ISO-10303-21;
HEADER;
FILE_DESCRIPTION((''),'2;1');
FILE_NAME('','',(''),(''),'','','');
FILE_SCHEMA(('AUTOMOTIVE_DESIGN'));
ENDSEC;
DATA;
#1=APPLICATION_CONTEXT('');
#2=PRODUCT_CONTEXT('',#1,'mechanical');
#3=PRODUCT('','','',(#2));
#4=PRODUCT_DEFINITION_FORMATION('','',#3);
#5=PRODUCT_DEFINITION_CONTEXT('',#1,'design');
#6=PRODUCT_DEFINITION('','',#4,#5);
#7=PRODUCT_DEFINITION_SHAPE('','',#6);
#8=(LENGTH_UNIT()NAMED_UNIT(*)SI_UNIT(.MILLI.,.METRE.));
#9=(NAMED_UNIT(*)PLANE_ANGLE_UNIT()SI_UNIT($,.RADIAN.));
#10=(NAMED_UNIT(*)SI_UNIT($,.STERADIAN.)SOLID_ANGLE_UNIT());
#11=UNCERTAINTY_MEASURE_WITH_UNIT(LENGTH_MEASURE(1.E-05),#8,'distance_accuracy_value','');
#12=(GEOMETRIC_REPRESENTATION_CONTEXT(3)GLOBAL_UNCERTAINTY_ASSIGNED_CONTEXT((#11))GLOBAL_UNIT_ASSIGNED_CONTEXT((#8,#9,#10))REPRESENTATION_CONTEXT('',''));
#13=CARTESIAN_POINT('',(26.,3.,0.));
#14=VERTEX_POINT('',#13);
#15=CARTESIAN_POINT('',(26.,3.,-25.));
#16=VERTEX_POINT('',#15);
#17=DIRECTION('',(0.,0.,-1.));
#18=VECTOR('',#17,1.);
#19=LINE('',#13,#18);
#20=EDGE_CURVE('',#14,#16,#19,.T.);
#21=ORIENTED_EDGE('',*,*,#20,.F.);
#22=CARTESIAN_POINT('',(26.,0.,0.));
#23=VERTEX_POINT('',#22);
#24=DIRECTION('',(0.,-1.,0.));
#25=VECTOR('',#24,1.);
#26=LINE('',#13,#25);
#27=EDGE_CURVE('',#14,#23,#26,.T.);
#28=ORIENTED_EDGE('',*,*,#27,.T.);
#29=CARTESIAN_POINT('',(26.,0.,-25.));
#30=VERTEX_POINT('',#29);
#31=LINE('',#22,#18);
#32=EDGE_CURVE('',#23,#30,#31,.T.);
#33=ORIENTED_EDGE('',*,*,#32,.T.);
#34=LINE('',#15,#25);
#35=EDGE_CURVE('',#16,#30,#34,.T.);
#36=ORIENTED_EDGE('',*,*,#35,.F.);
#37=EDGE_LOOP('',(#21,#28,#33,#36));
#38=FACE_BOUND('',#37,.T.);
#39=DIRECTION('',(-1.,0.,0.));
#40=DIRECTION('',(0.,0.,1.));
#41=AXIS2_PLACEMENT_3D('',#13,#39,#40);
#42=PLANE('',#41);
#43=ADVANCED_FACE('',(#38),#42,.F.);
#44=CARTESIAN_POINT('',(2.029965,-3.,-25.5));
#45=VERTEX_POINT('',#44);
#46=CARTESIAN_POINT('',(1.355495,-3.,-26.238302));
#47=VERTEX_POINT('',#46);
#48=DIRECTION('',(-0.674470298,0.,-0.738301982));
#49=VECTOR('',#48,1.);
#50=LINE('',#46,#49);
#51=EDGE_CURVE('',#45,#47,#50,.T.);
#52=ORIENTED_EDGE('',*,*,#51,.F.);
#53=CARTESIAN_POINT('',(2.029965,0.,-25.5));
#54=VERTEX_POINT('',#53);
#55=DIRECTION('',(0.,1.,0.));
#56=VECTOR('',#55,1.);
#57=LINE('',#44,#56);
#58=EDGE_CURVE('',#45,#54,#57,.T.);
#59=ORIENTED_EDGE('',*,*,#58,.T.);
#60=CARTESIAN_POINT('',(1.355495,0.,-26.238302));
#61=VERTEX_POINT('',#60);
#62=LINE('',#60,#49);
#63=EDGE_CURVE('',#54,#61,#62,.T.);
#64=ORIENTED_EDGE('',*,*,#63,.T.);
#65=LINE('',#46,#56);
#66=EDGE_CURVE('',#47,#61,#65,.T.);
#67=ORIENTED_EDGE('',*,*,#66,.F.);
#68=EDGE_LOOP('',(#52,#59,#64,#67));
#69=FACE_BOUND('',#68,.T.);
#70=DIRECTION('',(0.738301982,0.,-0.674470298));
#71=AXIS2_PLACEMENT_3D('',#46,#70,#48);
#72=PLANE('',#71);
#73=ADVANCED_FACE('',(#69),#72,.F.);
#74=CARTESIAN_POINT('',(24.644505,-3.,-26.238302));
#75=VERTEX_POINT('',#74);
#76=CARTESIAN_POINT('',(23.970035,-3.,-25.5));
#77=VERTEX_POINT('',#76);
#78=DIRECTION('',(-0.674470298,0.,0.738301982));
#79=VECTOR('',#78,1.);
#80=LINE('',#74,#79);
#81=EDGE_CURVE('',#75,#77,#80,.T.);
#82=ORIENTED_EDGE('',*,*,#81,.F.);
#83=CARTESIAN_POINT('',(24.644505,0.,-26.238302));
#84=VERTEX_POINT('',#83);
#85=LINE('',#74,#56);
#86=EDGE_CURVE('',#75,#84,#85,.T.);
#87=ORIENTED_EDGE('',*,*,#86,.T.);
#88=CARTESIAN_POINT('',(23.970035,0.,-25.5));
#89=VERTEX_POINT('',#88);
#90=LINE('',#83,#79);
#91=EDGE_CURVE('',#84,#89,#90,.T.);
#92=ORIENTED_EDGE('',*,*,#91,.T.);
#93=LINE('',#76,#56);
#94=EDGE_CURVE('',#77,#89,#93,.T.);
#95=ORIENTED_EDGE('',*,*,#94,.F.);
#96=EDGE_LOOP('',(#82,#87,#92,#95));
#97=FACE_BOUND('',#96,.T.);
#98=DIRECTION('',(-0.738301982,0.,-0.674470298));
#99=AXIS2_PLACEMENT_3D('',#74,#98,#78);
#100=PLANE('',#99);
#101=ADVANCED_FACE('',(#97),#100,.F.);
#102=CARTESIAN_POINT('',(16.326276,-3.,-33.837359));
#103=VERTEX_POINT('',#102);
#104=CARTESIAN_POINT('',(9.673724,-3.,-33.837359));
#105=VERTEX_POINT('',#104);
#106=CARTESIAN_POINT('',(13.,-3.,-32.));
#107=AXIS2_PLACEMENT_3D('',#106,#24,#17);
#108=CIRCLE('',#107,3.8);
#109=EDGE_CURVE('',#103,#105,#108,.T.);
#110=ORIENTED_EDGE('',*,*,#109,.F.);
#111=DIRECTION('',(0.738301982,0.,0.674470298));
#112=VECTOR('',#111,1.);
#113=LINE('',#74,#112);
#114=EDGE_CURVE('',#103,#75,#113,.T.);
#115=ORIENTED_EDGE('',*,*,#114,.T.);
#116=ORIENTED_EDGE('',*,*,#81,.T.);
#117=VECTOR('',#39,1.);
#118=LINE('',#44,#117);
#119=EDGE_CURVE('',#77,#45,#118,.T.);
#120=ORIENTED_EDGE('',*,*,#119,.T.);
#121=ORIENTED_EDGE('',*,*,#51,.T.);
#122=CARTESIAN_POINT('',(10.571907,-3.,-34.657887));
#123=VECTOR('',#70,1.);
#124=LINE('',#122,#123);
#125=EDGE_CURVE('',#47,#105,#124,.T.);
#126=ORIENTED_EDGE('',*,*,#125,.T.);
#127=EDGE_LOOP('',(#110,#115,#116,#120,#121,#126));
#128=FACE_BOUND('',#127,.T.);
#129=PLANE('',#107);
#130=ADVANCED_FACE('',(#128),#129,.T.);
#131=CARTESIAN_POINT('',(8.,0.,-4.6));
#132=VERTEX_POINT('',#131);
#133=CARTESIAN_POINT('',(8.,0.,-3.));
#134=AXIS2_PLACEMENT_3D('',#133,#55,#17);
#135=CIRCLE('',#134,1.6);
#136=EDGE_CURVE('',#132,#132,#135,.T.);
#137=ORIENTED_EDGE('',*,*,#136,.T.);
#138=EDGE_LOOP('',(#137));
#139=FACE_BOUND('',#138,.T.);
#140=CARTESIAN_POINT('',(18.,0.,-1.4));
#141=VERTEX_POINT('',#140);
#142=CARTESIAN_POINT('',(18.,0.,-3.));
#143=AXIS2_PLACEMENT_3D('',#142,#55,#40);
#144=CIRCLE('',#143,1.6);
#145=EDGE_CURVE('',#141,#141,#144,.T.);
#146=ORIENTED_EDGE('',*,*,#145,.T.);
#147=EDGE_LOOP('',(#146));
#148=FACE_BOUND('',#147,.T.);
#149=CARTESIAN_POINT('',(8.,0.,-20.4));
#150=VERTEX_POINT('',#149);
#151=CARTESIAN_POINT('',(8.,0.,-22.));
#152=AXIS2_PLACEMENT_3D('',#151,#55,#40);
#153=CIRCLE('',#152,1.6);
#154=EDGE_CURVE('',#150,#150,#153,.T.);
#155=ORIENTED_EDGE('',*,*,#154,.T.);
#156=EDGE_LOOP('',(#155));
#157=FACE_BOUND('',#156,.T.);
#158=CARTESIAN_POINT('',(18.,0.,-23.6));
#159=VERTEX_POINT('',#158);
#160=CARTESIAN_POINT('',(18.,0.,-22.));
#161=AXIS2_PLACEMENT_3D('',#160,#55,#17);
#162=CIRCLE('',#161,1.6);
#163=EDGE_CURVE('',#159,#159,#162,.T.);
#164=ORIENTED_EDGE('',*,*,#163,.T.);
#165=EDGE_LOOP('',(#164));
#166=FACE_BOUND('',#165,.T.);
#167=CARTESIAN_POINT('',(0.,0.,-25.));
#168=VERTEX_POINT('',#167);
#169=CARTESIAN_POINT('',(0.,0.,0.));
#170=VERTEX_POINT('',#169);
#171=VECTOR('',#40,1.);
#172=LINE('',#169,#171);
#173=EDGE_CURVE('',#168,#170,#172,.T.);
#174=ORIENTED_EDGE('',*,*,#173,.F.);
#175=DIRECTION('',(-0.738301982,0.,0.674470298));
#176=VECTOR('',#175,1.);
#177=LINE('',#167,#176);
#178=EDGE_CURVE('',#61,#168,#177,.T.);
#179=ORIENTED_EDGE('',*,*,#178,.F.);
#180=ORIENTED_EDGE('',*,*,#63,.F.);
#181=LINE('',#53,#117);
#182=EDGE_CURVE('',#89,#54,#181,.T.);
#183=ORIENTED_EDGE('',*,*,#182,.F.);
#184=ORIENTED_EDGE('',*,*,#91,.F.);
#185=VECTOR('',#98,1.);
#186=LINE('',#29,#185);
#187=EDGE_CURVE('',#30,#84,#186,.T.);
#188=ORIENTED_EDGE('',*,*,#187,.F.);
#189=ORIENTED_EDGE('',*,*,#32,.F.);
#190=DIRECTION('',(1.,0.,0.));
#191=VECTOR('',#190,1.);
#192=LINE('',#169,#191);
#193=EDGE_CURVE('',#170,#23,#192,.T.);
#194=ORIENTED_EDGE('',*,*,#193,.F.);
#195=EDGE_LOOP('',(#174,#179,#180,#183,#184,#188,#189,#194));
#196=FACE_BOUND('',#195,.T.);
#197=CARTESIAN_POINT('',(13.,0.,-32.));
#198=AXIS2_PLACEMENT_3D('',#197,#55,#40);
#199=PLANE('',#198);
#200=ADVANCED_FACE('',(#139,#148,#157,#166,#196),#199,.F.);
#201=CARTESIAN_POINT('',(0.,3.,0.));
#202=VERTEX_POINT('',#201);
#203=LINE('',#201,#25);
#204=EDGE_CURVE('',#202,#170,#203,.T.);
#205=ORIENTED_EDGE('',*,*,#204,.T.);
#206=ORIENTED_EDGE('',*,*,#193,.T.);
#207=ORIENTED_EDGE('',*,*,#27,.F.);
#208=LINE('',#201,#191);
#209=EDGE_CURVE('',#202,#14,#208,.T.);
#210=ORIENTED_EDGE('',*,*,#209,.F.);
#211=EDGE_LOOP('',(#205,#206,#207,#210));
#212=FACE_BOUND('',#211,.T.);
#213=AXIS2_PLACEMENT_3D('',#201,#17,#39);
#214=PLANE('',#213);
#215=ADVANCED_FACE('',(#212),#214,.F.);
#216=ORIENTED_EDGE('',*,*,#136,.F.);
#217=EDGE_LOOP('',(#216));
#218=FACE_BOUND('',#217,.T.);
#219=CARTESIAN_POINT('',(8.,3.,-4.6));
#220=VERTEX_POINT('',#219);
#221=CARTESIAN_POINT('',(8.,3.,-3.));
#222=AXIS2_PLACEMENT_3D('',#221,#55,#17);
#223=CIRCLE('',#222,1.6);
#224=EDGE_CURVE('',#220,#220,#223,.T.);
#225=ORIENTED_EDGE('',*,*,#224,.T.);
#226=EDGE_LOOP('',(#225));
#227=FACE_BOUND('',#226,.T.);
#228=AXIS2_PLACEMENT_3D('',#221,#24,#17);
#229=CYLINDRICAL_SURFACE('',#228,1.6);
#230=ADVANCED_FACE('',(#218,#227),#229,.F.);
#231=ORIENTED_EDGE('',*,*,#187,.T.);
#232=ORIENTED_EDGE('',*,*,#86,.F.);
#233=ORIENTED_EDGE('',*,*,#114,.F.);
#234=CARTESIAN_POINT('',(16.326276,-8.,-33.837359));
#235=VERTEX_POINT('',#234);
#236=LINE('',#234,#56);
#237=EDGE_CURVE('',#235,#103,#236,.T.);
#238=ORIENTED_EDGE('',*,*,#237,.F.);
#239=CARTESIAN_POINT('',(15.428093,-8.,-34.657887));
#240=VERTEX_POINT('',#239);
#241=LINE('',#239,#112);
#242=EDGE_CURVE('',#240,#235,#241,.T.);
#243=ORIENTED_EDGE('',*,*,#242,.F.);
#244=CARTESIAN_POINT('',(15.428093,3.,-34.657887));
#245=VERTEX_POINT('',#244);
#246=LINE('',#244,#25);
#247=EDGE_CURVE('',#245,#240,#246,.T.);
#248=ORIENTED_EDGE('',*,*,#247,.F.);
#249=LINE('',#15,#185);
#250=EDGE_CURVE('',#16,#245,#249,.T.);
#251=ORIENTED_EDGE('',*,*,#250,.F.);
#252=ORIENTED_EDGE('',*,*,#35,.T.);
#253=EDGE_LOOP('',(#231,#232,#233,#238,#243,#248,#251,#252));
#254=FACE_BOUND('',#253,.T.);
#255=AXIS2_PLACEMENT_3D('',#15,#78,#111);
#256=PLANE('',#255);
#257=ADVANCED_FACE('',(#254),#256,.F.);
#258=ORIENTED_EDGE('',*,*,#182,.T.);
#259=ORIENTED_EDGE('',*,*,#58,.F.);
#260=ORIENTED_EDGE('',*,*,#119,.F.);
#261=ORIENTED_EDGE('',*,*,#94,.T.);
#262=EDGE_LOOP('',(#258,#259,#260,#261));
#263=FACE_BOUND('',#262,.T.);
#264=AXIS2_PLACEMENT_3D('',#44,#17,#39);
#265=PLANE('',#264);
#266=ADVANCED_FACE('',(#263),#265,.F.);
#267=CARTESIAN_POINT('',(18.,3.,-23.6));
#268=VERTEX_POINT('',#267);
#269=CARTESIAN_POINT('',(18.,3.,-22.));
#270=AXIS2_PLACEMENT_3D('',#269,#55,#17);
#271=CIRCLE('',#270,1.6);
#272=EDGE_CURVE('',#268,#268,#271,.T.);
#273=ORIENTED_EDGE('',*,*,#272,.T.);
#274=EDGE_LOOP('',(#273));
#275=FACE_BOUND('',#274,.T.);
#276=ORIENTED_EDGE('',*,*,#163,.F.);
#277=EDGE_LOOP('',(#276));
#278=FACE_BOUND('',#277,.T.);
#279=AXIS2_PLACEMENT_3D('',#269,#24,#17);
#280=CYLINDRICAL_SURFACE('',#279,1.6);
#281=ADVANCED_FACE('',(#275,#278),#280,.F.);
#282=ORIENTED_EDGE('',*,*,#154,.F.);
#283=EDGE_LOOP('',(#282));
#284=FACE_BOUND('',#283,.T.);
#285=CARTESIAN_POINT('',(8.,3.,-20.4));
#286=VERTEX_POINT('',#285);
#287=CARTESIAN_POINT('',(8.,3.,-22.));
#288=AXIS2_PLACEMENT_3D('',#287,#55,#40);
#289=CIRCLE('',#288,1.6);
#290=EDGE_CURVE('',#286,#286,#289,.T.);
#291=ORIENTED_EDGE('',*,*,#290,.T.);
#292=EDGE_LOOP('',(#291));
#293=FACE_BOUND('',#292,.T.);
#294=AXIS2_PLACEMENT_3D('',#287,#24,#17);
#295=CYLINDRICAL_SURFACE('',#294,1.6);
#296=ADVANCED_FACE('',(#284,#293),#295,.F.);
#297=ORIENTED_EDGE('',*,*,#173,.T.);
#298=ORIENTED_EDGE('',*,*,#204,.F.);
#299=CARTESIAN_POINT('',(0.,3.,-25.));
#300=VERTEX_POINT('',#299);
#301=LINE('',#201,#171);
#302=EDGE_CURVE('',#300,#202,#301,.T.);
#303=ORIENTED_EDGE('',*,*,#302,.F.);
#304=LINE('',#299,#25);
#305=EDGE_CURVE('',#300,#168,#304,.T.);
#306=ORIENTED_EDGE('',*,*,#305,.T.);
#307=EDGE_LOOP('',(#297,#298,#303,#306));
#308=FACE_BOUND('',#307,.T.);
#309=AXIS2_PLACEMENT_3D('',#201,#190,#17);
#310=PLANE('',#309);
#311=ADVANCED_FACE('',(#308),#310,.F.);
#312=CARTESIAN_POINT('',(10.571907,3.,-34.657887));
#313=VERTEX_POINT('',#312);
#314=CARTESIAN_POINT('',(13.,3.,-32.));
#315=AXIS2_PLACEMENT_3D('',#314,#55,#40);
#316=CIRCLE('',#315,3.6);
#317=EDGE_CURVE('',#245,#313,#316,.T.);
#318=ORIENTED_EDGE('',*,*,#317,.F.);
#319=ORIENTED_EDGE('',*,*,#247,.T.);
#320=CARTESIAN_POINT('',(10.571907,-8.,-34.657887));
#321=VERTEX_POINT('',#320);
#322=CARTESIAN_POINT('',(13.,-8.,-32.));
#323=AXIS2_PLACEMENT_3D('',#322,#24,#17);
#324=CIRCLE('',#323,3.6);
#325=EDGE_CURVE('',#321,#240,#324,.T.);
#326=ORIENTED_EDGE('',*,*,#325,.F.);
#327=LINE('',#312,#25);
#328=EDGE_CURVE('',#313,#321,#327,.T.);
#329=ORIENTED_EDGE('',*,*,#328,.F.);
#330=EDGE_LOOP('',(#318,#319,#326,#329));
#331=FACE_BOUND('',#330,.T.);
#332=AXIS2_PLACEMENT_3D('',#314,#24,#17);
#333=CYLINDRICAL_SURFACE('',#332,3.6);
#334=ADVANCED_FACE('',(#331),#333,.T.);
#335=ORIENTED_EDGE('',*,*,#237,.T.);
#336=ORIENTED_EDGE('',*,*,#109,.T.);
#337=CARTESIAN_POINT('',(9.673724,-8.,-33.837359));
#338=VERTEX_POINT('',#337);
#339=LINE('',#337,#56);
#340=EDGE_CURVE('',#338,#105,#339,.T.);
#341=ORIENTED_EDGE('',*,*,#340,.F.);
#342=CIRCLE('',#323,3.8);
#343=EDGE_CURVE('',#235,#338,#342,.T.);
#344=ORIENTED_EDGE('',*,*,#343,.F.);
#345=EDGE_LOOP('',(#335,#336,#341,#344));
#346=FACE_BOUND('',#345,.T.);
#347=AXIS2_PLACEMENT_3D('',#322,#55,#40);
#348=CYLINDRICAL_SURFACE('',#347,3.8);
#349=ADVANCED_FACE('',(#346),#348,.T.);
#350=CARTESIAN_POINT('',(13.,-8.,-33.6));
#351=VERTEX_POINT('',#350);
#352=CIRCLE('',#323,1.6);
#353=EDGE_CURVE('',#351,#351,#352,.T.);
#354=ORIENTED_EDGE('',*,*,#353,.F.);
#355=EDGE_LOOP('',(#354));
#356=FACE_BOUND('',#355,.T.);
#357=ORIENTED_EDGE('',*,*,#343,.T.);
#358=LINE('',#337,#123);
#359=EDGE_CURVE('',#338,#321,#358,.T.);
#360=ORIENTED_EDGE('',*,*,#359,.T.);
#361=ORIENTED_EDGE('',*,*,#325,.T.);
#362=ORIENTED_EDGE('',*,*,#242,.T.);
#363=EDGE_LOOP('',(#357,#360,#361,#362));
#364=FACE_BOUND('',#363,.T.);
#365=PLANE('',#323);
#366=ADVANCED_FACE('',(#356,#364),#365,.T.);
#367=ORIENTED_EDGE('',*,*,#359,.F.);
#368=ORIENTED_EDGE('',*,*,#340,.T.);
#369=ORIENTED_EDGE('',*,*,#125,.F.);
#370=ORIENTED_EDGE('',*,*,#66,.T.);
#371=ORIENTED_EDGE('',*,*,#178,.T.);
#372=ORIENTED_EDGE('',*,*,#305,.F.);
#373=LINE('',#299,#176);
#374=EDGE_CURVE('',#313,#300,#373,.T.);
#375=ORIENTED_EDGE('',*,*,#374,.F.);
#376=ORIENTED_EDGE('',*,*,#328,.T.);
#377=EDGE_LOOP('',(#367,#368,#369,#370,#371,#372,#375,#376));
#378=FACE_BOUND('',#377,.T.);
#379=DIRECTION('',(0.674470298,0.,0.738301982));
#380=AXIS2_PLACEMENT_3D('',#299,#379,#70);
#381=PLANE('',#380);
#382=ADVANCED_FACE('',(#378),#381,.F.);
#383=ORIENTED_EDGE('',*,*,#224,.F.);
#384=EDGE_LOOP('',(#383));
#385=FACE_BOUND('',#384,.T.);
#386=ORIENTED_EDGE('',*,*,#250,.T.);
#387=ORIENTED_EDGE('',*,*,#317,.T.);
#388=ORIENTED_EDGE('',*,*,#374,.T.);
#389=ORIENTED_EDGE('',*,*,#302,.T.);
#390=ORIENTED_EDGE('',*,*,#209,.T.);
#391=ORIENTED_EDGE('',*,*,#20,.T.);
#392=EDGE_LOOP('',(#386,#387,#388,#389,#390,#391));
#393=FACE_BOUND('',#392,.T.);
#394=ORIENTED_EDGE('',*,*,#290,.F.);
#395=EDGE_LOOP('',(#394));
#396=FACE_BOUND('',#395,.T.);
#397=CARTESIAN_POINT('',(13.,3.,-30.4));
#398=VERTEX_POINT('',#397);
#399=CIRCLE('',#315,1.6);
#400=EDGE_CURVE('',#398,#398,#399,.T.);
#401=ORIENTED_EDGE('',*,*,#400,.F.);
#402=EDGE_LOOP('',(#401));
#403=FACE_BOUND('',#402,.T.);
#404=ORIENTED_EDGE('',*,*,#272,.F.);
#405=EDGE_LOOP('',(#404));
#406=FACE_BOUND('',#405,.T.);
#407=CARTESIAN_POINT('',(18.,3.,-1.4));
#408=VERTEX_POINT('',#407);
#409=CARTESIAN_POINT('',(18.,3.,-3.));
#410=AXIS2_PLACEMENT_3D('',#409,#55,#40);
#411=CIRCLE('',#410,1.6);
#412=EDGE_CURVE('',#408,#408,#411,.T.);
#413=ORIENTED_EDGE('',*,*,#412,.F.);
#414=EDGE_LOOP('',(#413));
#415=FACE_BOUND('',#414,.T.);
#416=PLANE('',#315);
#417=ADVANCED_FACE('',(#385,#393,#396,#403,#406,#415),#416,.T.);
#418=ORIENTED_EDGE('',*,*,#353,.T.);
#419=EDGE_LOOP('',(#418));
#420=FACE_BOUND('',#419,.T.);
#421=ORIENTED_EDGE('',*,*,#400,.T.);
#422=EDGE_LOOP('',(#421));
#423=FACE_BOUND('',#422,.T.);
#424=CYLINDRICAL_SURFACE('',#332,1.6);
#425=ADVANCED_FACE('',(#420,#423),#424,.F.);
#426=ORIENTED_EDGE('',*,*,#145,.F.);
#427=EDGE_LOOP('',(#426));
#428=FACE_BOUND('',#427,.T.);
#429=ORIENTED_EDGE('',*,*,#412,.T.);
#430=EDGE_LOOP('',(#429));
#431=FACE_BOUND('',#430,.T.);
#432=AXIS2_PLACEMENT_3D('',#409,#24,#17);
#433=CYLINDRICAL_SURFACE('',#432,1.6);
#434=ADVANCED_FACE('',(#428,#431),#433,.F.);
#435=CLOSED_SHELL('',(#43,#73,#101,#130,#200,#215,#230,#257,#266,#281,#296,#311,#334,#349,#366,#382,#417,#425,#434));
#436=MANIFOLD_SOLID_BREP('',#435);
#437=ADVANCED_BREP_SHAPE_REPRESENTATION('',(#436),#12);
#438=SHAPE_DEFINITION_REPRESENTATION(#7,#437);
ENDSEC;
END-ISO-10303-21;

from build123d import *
from build123d.topology import SkipClean

# Parameters (mm, degrees)
SKETCH_2_R      = 1.6
EXTRUDE_1_DEPTH = 3
EXTRUDE_START   = 3
SKETCH_3_R      = 1.6
EXTRUDE_2_DEPTH = 3
EXTRUDE_START_2 = 5
SKETCH_4_R      = 1.6
EXTRUDE_3_DEPTH = 5


with BuildPart() as part:
    # 草图2 → 凸台-拉伸1 (new body)
    with BuildSketch(Plane(origin=(0, 0, 0), x_dir=(1, 0, 0), z_dir=(0, 1, 0))):
        with BuildLine():
            Line((0, 0), (26, 0))
            Line((26, 0), (26, 25))
            Line((26, 25), (15.428093073, 34.657887136))
            ThreePointArc((15.428093073, 34.657887136), (13, 35.6), (10.571906927, 34.657887136))
            Line((10.571906927, 34.657887136), (0, 25))
            Line((0, 25), (0, 0))
        make_face()
        with Locations(Location((8, 22, 0), (0, 0, 270))):
            Circle(SKETCH_2_R, mode=Mode.SUBTRACT)
        with Locations(Location((18, 22, 0), (0, 0, 90))):
            Circle(SKETCH_2_R, mode=Mode.SUBTRACT)
        with Locations(Location((18, 3, 0), (0, 0, 270))):
            Circle(SKETCH_2_R, mode=Mode.SUBTRACT)
        with Locations(Location((8, 3, 0), (0, 0, 90))):
            Circle(SKETCH_2_R, mode=Mode.SUBTRACT)
        with Locations(Location((13, 32, 0), (0, 0, 270))):
            Circle(SKETCH_2_R, mode=Mode.SUBTRACT)
    extrude(amount=EXTRUDE_1_DEPTH)

    # 草图3 → 凸台-拉伸2 (add)
    with SkipClean():  # the faces are left unmerged after this step: merging them gives an invalid solid
        with BuildSketch(Plane.XZ.offset(EXTRUDE_START)):
            with BuildLine():
                Line((2.02996484, -25.5), (23.97003516, -25.5))
                Line((23.97003516, -25.5), (24.644505458, -26.238301982))
                Line((24.644505458, -26.238301982), (15.428093073, -34.657887136))
                ThreePointArc((15.428093073, -34.657887136), (13, -35.6), (10.571906927, -34.657887136))
                Line((10.571906927, -34.657887136), (1.355494542, -26.238301982))
                Line((1.355494542, -26.238301982), (2.02996484, -25.5))
            make_face()
            with Locations(Location((13, -32, 0), (0, 0, 270))):
                Circle(SKETCH_3_R, mode=Mode.SUBTRACT)
        extrude(amount=-EXTRUDE_2_DEPTH)

    # 草图4 → 凸台-拉伸3 (add)
    with SkipClean():  # the faces are left unmerged after this step: merging them gives an invalid solid
        with BuildSketch(Plane.XZ.offset(3).offset(EXTRUDE_START_2)):
            with BuildLine():
                Line((9.6737238, -33.837358605), (10.571906927, -34.657887136))
                ThreePointArc((10.571906927, -34.657887136), (13, -35.6), (15.428093073, -34.657887136))
                Line((15.428093073, -34.657887136), (16.3262762, -33.837358605))
                ThreePointArc((16.3262762, -33.837358605), (14.7315968, -28.61746064), (9.564559196, -30.37588594))
                ThreePointArc((9.564559196, -30.37588594), (9.201888303, -32.119781203), (9.6737238, -33.837358605))
            make_face()
            with Locations(Location((13, -32, 0), (0, 0, 270))):
                Circle(SKETCH_4_R, mode=Mode.SUBTRACT)
        extrude(amount=-EXTRUDE_3_DEPTH)


solid = part.part
